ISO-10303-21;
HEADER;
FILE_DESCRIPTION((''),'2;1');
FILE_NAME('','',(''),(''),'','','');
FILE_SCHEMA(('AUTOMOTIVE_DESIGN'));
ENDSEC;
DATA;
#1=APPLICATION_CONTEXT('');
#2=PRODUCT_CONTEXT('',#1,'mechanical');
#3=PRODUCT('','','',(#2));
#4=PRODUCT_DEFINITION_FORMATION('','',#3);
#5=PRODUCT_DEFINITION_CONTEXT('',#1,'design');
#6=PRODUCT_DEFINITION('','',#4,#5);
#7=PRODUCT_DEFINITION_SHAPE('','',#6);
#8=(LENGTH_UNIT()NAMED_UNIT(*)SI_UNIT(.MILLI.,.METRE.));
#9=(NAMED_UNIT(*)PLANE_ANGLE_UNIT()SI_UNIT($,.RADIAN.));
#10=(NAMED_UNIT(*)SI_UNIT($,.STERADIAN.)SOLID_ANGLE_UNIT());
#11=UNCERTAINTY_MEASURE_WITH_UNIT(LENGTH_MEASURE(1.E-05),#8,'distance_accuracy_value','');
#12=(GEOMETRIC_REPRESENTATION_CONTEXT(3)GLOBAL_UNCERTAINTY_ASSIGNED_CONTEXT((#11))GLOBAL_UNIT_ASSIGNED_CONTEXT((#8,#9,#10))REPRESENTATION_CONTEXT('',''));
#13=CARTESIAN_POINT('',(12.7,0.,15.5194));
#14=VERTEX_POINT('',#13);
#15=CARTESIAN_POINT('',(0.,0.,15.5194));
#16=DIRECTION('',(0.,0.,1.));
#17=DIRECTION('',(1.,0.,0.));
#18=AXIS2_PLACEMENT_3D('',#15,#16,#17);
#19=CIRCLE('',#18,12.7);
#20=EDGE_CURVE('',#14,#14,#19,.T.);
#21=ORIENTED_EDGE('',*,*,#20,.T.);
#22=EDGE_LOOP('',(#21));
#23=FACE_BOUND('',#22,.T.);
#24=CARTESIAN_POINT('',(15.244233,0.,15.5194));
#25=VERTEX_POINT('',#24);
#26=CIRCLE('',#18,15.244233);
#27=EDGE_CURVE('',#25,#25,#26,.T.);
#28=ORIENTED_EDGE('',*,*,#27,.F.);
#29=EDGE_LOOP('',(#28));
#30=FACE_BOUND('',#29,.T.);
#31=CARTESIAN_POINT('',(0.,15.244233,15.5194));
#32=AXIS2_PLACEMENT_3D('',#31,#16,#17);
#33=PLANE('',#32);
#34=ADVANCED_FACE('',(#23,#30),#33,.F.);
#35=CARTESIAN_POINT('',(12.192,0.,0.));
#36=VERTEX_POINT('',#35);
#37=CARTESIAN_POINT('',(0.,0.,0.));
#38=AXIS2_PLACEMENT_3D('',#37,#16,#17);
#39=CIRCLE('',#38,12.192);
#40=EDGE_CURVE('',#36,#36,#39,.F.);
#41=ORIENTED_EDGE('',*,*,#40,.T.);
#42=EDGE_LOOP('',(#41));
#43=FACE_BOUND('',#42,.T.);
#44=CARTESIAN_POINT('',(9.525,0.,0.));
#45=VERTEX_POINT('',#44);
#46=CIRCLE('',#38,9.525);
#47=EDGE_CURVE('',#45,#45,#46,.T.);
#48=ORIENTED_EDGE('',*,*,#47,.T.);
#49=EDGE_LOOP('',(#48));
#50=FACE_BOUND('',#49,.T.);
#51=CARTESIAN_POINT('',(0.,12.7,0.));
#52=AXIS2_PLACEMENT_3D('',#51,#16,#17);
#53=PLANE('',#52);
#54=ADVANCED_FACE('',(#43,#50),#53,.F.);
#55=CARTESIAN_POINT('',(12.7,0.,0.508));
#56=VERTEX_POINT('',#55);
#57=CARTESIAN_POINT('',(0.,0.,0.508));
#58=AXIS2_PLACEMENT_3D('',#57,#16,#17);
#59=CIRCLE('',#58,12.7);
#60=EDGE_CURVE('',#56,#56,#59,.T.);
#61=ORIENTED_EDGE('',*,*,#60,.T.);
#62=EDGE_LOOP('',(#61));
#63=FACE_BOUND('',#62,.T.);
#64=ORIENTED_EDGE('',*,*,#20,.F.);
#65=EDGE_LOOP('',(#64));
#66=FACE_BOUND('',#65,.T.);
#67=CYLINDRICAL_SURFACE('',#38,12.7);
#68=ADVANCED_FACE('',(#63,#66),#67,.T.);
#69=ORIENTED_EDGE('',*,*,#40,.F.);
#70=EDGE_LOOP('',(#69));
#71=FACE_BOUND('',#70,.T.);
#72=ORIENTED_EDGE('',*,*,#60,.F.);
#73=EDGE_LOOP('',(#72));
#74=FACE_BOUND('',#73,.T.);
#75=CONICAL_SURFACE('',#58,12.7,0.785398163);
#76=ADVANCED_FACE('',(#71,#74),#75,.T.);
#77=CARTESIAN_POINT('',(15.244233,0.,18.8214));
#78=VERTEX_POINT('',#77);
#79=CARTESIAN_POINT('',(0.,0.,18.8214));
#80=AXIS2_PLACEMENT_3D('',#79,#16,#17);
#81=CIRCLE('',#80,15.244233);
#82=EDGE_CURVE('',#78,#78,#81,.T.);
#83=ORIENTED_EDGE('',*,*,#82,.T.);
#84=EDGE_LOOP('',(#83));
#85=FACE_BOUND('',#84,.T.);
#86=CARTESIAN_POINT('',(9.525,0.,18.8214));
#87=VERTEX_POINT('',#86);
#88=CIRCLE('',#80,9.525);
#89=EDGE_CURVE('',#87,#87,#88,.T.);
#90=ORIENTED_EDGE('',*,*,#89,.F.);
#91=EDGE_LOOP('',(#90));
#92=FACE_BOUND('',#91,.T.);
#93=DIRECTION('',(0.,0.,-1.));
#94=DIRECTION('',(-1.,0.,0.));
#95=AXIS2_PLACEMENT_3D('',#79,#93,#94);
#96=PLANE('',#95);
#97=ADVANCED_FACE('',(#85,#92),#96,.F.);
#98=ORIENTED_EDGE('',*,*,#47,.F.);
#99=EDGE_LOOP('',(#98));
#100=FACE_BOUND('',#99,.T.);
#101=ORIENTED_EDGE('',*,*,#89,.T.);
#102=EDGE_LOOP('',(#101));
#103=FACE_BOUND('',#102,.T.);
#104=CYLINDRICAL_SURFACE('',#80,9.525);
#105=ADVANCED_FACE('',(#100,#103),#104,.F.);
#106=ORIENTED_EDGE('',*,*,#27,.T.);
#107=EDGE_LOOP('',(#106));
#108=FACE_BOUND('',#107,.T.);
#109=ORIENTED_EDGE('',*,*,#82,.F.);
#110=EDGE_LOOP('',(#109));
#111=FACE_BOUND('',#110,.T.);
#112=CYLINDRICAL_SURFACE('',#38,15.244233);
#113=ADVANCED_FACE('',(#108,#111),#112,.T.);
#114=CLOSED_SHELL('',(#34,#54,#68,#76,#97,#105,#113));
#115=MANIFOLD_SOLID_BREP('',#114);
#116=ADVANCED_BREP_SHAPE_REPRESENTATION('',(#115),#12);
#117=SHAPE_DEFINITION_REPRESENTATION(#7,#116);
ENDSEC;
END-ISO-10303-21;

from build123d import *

# Parameters (mm, degrees)
F_1_4_0_75_DIAMETER_HOLE1_D = 19.05
CHAMFER2_SIZE               = 0.508


with BuildPart() as part:
    # Sketch2 → Revolve2 (revolve)
    with BuildSketch(Plane(origin=(0, 0, 0), x_dir=(0, 0, -1), z_dir=(1, 0, 0))):
        Polygon((0, 0), (-18.8214, 0), (-18.8214, 15.244233333), (-15.5194, 15.244233333), (-15.5194, 12.7), (0, 12.7), align=None)
    revolve(axis=Axis((0, 0, 0), (0, 0, -1)))

    # 1/4 (0.75) Diameter Hole1 (through all)
    with Locations(Plane.XY.offset(18.8214)):
        with Locations((0, 0)):
            Hole(F_1_4_0_75_DIAMETER_HOLE1_D / 2)

    # Chamfer2
    chamfer2_edges = [part.edges().sort_by_distance(p)[0] for p in [
        (0, -12.7, 0),
    ]]
    chamfer(chamfer2_edges, length=CHAMFER2_SIZE)


solid = part.part
